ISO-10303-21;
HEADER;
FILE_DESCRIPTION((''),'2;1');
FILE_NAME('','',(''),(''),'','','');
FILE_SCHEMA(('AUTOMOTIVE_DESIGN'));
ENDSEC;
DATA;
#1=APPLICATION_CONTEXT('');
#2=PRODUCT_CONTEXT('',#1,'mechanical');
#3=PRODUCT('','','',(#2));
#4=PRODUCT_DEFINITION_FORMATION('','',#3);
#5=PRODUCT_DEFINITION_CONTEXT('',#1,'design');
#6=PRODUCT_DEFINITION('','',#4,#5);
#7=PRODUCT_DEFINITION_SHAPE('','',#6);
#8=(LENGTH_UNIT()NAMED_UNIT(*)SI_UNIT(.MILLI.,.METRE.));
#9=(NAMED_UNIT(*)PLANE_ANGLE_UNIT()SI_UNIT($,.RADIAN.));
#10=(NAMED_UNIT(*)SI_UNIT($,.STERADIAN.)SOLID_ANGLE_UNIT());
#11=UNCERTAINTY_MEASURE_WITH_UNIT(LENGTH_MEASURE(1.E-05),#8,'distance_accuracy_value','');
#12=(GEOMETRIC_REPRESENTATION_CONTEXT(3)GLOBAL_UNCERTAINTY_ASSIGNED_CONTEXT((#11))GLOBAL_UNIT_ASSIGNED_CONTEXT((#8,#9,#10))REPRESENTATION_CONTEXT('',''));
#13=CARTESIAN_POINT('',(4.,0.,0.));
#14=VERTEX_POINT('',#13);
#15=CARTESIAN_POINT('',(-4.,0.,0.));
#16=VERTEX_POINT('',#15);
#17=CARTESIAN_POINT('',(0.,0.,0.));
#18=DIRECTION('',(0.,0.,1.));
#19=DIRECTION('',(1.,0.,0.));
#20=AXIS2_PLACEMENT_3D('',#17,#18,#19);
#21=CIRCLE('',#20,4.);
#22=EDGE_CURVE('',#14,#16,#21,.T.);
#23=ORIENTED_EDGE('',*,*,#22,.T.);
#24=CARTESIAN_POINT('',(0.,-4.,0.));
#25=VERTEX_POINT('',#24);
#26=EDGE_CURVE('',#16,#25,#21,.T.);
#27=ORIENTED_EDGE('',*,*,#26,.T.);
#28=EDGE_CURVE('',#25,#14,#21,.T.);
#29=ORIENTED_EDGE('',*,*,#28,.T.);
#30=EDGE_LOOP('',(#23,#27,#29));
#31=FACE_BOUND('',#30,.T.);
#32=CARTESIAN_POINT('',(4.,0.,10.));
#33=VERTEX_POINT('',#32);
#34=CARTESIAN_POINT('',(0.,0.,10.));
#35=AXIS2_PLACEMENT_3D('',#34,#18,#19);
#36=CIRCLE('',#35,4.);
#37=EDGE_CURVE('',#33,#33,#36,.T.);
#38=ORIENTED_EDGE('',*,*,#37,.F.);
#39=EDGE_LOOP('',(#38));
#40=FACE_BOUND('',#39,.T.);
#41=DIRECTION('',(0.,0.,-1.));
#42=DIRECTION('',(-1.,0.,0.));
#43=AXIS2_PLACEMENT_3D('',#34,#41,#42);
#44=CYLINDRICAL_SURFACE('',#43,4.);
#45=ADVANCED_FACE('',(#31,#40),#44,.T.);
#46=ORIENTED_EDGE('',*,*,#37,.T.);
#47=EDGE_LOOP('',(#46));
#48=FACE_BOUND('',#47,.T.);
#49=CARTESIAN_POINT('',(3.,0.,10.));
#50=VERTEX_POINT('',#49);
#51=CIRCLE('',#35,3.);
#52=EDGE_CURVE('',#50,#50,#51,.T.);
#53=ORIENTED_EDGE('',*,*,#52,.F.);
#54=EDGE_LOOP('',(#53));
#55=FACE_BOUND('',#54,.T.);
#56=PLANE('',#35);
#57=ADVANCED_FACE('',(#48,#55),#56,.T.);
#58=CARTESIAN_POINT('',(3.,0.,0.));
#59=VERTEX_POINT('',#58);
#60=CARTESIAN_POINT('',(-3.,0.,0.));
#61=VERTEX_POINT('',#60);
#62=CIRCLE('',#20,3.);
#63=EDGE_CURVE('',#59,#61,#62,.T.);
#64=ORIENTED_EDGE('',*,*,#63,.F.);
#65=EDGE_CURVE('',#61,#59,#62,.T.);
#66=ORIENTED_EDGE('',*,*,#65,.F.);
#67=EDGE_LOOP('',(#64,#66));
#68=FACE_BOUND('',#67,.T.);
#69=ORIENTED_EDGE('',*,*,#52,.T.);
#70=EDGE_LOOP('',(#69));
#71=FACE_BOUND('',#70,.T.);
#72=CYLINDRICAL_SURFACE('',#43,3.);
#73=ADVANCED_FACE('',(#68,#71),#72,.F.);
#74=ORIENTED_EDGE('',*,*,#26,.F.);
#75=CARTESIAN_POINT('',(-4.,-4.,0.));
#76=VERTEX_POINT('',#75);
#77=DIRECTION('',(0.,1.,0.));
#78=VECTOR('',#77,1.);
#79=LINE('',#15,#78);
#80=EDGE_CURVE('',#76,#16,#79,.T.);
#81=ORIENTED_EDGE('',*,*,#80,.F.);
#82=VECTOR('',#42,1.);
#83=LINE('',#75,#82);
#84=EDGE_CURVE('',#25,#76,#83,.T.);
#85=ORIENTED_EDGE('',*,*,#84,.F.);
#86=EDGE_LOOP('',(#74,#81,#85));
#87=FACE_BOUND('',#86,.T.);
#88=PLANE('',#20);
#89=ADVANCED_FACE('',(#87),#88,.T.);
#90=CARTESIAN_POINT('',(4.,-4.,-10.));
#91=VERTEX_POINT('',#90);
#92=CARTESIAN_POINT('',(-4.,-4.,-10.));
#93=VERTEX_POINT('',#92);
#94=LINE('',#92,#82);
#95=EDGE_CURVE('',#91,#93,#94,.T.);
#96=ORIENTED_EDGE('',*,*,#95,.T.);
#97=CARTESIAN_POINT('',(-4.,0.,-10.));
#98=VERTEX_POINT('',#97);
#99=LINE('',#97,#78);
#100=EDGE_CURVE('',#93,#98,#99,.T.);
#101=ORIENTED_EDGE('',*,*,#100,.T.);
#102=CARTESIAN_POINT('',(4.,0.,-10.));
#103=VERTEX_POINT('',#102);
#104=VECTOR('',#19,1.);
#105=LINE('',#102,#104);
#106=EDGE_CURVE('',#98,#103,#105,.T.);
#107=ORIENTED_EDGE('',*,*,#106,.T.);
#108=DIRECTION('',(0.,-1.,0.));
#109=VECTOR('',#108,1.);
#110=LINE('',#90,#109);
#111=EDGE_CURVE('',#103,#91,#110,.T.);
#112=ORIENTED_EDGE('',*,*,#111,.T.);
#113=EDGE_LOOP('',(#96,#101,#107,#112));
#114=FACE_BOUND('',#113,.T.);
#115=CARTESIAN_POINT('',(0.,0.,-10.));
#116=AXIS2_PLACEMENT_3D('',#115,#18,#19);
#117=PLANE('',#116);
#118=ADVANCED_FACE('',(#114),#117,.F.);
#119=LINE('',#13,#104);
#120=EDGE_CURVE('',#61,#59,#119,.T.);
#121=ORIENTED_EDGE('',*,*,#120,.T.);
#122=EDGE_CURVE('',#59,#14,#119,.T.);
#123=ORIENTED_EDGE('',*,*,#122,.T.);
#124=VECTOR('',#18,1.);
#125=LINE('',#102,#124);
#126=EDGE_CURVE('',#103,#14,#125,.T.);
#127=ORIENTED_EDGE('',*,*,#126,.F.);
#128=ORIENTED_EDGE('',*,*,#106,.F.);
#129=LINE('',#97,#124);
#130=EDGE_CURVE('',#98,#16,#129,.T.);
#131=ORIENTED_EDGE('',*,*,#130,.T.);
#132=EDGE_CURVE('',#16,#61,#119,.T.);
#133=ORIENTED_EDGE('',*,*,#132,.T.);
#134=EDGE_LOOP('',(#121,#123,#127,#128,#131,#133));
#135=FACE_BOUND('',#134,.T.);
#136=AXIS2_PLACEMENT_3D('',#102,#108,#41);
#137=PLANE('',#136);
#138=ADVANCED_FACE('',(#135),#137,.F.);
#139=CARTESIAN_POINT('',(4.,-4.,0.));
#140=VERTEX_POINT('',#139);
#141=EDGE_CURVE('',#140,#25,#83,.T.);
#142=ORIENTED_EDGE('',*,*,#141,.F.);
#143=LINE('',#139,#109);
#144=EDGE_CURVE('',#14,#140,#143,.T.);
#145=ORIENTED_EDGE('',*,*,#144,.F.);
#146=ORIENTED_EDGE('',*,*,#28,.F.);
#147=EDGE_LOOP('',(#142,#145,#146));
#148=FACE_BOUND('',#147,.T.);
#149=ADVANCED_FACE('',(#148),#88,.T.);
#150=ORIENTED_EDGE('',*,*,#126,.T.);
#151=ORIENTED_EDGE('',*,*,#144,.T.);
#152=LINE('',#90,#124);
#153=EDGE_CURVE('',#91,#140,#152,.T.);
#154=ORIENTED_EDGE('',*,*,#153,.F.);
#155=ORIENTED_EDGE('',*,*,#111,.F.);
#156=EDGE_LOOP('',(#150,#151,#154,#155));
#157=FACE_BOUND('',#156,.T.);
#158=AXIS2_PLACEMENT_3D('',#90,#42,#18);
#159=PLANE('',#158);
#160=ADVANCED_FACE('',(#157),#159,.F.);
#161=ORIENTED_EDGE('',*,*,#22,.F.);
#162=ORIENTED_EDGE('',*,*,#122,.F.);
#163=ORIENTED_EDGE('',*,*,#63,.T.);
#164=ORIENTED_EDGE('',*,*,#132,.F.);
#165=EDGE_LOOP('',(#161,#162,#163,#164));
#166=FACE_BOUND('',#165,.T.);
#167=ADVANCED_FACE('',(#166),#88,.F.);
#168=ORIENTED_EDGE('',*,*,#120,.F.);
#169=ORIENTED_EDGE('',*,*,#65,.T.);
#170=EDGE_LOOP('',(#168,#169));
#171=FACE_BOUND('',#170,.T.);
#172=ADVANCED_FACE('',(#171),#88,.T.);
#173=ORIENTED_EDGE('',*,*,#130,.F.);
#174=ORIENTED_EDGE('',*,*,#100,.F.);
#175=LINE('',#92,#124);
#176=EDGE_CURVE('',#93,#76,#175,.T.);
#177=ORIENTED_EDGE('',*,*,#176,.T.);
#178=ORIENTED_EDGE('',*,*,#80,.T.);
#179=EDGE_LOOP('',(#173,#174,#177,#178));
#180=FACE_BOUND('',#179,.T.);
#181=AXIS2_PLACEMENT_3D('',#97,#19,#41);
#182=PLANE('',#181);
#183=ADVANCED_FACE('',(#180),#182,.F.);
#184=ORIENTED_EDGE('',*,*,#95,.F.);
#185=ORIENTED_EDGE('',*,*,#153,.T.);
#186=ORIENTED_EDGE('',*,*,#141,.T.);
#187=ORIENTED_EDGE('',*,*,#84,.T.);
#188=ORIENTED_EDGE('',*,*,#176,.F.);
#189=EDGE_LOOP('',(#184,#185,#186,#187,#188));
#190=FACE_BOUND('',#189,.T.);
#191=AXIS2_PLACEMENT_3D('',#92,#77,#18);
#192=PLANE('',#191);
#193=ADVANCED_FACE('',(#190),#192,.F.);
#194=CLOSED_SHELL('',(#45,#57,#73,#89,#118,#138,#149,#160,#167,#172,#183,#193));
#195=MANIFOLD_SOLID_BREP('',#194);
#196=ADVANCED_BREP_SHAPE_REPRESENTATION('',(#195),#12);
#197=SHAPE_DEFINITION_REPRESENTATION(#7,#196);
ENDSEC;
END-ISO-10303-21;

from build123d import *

# Parameters (mm, degrees)
ESBO_O1_R                = 4
ESBO_O1_R_2              = 3
RESSALTO_EXTRUS_O1_DEPTH = 10
ESBO_O2_W                = 8
ESBO_O2_H                = 4
RESSALTO_EXTRUS_O2_DEPTH = 10


with BuildPart() as part:
    # Esboço1 → Ressalto-extrusão1 (new body)
    with BuildSketch(Plane.XY):
        Circle(ESBO_O1_R)
        Circle(ESBO_O1_R_2, mode=Mode.SUBTRACT)
    extrude(amount=RESSALTO_EXTRUS_O1_DEPTH)

    # Esboço2 → Ressalto-extrusão2 (add)
    with BuildSketch(Plane(origin=(0, 0, 0), x_dir=(-1, 0, 0), z_dir=(0, 0, -1))):
        with Locations((0, -2)):
            Rectangle(ESBO_O2_W, ESBO_O2_H)
    extrude(amount=RESSALTO_EXTRUS_O2_DEPTH)


solid = part.part
